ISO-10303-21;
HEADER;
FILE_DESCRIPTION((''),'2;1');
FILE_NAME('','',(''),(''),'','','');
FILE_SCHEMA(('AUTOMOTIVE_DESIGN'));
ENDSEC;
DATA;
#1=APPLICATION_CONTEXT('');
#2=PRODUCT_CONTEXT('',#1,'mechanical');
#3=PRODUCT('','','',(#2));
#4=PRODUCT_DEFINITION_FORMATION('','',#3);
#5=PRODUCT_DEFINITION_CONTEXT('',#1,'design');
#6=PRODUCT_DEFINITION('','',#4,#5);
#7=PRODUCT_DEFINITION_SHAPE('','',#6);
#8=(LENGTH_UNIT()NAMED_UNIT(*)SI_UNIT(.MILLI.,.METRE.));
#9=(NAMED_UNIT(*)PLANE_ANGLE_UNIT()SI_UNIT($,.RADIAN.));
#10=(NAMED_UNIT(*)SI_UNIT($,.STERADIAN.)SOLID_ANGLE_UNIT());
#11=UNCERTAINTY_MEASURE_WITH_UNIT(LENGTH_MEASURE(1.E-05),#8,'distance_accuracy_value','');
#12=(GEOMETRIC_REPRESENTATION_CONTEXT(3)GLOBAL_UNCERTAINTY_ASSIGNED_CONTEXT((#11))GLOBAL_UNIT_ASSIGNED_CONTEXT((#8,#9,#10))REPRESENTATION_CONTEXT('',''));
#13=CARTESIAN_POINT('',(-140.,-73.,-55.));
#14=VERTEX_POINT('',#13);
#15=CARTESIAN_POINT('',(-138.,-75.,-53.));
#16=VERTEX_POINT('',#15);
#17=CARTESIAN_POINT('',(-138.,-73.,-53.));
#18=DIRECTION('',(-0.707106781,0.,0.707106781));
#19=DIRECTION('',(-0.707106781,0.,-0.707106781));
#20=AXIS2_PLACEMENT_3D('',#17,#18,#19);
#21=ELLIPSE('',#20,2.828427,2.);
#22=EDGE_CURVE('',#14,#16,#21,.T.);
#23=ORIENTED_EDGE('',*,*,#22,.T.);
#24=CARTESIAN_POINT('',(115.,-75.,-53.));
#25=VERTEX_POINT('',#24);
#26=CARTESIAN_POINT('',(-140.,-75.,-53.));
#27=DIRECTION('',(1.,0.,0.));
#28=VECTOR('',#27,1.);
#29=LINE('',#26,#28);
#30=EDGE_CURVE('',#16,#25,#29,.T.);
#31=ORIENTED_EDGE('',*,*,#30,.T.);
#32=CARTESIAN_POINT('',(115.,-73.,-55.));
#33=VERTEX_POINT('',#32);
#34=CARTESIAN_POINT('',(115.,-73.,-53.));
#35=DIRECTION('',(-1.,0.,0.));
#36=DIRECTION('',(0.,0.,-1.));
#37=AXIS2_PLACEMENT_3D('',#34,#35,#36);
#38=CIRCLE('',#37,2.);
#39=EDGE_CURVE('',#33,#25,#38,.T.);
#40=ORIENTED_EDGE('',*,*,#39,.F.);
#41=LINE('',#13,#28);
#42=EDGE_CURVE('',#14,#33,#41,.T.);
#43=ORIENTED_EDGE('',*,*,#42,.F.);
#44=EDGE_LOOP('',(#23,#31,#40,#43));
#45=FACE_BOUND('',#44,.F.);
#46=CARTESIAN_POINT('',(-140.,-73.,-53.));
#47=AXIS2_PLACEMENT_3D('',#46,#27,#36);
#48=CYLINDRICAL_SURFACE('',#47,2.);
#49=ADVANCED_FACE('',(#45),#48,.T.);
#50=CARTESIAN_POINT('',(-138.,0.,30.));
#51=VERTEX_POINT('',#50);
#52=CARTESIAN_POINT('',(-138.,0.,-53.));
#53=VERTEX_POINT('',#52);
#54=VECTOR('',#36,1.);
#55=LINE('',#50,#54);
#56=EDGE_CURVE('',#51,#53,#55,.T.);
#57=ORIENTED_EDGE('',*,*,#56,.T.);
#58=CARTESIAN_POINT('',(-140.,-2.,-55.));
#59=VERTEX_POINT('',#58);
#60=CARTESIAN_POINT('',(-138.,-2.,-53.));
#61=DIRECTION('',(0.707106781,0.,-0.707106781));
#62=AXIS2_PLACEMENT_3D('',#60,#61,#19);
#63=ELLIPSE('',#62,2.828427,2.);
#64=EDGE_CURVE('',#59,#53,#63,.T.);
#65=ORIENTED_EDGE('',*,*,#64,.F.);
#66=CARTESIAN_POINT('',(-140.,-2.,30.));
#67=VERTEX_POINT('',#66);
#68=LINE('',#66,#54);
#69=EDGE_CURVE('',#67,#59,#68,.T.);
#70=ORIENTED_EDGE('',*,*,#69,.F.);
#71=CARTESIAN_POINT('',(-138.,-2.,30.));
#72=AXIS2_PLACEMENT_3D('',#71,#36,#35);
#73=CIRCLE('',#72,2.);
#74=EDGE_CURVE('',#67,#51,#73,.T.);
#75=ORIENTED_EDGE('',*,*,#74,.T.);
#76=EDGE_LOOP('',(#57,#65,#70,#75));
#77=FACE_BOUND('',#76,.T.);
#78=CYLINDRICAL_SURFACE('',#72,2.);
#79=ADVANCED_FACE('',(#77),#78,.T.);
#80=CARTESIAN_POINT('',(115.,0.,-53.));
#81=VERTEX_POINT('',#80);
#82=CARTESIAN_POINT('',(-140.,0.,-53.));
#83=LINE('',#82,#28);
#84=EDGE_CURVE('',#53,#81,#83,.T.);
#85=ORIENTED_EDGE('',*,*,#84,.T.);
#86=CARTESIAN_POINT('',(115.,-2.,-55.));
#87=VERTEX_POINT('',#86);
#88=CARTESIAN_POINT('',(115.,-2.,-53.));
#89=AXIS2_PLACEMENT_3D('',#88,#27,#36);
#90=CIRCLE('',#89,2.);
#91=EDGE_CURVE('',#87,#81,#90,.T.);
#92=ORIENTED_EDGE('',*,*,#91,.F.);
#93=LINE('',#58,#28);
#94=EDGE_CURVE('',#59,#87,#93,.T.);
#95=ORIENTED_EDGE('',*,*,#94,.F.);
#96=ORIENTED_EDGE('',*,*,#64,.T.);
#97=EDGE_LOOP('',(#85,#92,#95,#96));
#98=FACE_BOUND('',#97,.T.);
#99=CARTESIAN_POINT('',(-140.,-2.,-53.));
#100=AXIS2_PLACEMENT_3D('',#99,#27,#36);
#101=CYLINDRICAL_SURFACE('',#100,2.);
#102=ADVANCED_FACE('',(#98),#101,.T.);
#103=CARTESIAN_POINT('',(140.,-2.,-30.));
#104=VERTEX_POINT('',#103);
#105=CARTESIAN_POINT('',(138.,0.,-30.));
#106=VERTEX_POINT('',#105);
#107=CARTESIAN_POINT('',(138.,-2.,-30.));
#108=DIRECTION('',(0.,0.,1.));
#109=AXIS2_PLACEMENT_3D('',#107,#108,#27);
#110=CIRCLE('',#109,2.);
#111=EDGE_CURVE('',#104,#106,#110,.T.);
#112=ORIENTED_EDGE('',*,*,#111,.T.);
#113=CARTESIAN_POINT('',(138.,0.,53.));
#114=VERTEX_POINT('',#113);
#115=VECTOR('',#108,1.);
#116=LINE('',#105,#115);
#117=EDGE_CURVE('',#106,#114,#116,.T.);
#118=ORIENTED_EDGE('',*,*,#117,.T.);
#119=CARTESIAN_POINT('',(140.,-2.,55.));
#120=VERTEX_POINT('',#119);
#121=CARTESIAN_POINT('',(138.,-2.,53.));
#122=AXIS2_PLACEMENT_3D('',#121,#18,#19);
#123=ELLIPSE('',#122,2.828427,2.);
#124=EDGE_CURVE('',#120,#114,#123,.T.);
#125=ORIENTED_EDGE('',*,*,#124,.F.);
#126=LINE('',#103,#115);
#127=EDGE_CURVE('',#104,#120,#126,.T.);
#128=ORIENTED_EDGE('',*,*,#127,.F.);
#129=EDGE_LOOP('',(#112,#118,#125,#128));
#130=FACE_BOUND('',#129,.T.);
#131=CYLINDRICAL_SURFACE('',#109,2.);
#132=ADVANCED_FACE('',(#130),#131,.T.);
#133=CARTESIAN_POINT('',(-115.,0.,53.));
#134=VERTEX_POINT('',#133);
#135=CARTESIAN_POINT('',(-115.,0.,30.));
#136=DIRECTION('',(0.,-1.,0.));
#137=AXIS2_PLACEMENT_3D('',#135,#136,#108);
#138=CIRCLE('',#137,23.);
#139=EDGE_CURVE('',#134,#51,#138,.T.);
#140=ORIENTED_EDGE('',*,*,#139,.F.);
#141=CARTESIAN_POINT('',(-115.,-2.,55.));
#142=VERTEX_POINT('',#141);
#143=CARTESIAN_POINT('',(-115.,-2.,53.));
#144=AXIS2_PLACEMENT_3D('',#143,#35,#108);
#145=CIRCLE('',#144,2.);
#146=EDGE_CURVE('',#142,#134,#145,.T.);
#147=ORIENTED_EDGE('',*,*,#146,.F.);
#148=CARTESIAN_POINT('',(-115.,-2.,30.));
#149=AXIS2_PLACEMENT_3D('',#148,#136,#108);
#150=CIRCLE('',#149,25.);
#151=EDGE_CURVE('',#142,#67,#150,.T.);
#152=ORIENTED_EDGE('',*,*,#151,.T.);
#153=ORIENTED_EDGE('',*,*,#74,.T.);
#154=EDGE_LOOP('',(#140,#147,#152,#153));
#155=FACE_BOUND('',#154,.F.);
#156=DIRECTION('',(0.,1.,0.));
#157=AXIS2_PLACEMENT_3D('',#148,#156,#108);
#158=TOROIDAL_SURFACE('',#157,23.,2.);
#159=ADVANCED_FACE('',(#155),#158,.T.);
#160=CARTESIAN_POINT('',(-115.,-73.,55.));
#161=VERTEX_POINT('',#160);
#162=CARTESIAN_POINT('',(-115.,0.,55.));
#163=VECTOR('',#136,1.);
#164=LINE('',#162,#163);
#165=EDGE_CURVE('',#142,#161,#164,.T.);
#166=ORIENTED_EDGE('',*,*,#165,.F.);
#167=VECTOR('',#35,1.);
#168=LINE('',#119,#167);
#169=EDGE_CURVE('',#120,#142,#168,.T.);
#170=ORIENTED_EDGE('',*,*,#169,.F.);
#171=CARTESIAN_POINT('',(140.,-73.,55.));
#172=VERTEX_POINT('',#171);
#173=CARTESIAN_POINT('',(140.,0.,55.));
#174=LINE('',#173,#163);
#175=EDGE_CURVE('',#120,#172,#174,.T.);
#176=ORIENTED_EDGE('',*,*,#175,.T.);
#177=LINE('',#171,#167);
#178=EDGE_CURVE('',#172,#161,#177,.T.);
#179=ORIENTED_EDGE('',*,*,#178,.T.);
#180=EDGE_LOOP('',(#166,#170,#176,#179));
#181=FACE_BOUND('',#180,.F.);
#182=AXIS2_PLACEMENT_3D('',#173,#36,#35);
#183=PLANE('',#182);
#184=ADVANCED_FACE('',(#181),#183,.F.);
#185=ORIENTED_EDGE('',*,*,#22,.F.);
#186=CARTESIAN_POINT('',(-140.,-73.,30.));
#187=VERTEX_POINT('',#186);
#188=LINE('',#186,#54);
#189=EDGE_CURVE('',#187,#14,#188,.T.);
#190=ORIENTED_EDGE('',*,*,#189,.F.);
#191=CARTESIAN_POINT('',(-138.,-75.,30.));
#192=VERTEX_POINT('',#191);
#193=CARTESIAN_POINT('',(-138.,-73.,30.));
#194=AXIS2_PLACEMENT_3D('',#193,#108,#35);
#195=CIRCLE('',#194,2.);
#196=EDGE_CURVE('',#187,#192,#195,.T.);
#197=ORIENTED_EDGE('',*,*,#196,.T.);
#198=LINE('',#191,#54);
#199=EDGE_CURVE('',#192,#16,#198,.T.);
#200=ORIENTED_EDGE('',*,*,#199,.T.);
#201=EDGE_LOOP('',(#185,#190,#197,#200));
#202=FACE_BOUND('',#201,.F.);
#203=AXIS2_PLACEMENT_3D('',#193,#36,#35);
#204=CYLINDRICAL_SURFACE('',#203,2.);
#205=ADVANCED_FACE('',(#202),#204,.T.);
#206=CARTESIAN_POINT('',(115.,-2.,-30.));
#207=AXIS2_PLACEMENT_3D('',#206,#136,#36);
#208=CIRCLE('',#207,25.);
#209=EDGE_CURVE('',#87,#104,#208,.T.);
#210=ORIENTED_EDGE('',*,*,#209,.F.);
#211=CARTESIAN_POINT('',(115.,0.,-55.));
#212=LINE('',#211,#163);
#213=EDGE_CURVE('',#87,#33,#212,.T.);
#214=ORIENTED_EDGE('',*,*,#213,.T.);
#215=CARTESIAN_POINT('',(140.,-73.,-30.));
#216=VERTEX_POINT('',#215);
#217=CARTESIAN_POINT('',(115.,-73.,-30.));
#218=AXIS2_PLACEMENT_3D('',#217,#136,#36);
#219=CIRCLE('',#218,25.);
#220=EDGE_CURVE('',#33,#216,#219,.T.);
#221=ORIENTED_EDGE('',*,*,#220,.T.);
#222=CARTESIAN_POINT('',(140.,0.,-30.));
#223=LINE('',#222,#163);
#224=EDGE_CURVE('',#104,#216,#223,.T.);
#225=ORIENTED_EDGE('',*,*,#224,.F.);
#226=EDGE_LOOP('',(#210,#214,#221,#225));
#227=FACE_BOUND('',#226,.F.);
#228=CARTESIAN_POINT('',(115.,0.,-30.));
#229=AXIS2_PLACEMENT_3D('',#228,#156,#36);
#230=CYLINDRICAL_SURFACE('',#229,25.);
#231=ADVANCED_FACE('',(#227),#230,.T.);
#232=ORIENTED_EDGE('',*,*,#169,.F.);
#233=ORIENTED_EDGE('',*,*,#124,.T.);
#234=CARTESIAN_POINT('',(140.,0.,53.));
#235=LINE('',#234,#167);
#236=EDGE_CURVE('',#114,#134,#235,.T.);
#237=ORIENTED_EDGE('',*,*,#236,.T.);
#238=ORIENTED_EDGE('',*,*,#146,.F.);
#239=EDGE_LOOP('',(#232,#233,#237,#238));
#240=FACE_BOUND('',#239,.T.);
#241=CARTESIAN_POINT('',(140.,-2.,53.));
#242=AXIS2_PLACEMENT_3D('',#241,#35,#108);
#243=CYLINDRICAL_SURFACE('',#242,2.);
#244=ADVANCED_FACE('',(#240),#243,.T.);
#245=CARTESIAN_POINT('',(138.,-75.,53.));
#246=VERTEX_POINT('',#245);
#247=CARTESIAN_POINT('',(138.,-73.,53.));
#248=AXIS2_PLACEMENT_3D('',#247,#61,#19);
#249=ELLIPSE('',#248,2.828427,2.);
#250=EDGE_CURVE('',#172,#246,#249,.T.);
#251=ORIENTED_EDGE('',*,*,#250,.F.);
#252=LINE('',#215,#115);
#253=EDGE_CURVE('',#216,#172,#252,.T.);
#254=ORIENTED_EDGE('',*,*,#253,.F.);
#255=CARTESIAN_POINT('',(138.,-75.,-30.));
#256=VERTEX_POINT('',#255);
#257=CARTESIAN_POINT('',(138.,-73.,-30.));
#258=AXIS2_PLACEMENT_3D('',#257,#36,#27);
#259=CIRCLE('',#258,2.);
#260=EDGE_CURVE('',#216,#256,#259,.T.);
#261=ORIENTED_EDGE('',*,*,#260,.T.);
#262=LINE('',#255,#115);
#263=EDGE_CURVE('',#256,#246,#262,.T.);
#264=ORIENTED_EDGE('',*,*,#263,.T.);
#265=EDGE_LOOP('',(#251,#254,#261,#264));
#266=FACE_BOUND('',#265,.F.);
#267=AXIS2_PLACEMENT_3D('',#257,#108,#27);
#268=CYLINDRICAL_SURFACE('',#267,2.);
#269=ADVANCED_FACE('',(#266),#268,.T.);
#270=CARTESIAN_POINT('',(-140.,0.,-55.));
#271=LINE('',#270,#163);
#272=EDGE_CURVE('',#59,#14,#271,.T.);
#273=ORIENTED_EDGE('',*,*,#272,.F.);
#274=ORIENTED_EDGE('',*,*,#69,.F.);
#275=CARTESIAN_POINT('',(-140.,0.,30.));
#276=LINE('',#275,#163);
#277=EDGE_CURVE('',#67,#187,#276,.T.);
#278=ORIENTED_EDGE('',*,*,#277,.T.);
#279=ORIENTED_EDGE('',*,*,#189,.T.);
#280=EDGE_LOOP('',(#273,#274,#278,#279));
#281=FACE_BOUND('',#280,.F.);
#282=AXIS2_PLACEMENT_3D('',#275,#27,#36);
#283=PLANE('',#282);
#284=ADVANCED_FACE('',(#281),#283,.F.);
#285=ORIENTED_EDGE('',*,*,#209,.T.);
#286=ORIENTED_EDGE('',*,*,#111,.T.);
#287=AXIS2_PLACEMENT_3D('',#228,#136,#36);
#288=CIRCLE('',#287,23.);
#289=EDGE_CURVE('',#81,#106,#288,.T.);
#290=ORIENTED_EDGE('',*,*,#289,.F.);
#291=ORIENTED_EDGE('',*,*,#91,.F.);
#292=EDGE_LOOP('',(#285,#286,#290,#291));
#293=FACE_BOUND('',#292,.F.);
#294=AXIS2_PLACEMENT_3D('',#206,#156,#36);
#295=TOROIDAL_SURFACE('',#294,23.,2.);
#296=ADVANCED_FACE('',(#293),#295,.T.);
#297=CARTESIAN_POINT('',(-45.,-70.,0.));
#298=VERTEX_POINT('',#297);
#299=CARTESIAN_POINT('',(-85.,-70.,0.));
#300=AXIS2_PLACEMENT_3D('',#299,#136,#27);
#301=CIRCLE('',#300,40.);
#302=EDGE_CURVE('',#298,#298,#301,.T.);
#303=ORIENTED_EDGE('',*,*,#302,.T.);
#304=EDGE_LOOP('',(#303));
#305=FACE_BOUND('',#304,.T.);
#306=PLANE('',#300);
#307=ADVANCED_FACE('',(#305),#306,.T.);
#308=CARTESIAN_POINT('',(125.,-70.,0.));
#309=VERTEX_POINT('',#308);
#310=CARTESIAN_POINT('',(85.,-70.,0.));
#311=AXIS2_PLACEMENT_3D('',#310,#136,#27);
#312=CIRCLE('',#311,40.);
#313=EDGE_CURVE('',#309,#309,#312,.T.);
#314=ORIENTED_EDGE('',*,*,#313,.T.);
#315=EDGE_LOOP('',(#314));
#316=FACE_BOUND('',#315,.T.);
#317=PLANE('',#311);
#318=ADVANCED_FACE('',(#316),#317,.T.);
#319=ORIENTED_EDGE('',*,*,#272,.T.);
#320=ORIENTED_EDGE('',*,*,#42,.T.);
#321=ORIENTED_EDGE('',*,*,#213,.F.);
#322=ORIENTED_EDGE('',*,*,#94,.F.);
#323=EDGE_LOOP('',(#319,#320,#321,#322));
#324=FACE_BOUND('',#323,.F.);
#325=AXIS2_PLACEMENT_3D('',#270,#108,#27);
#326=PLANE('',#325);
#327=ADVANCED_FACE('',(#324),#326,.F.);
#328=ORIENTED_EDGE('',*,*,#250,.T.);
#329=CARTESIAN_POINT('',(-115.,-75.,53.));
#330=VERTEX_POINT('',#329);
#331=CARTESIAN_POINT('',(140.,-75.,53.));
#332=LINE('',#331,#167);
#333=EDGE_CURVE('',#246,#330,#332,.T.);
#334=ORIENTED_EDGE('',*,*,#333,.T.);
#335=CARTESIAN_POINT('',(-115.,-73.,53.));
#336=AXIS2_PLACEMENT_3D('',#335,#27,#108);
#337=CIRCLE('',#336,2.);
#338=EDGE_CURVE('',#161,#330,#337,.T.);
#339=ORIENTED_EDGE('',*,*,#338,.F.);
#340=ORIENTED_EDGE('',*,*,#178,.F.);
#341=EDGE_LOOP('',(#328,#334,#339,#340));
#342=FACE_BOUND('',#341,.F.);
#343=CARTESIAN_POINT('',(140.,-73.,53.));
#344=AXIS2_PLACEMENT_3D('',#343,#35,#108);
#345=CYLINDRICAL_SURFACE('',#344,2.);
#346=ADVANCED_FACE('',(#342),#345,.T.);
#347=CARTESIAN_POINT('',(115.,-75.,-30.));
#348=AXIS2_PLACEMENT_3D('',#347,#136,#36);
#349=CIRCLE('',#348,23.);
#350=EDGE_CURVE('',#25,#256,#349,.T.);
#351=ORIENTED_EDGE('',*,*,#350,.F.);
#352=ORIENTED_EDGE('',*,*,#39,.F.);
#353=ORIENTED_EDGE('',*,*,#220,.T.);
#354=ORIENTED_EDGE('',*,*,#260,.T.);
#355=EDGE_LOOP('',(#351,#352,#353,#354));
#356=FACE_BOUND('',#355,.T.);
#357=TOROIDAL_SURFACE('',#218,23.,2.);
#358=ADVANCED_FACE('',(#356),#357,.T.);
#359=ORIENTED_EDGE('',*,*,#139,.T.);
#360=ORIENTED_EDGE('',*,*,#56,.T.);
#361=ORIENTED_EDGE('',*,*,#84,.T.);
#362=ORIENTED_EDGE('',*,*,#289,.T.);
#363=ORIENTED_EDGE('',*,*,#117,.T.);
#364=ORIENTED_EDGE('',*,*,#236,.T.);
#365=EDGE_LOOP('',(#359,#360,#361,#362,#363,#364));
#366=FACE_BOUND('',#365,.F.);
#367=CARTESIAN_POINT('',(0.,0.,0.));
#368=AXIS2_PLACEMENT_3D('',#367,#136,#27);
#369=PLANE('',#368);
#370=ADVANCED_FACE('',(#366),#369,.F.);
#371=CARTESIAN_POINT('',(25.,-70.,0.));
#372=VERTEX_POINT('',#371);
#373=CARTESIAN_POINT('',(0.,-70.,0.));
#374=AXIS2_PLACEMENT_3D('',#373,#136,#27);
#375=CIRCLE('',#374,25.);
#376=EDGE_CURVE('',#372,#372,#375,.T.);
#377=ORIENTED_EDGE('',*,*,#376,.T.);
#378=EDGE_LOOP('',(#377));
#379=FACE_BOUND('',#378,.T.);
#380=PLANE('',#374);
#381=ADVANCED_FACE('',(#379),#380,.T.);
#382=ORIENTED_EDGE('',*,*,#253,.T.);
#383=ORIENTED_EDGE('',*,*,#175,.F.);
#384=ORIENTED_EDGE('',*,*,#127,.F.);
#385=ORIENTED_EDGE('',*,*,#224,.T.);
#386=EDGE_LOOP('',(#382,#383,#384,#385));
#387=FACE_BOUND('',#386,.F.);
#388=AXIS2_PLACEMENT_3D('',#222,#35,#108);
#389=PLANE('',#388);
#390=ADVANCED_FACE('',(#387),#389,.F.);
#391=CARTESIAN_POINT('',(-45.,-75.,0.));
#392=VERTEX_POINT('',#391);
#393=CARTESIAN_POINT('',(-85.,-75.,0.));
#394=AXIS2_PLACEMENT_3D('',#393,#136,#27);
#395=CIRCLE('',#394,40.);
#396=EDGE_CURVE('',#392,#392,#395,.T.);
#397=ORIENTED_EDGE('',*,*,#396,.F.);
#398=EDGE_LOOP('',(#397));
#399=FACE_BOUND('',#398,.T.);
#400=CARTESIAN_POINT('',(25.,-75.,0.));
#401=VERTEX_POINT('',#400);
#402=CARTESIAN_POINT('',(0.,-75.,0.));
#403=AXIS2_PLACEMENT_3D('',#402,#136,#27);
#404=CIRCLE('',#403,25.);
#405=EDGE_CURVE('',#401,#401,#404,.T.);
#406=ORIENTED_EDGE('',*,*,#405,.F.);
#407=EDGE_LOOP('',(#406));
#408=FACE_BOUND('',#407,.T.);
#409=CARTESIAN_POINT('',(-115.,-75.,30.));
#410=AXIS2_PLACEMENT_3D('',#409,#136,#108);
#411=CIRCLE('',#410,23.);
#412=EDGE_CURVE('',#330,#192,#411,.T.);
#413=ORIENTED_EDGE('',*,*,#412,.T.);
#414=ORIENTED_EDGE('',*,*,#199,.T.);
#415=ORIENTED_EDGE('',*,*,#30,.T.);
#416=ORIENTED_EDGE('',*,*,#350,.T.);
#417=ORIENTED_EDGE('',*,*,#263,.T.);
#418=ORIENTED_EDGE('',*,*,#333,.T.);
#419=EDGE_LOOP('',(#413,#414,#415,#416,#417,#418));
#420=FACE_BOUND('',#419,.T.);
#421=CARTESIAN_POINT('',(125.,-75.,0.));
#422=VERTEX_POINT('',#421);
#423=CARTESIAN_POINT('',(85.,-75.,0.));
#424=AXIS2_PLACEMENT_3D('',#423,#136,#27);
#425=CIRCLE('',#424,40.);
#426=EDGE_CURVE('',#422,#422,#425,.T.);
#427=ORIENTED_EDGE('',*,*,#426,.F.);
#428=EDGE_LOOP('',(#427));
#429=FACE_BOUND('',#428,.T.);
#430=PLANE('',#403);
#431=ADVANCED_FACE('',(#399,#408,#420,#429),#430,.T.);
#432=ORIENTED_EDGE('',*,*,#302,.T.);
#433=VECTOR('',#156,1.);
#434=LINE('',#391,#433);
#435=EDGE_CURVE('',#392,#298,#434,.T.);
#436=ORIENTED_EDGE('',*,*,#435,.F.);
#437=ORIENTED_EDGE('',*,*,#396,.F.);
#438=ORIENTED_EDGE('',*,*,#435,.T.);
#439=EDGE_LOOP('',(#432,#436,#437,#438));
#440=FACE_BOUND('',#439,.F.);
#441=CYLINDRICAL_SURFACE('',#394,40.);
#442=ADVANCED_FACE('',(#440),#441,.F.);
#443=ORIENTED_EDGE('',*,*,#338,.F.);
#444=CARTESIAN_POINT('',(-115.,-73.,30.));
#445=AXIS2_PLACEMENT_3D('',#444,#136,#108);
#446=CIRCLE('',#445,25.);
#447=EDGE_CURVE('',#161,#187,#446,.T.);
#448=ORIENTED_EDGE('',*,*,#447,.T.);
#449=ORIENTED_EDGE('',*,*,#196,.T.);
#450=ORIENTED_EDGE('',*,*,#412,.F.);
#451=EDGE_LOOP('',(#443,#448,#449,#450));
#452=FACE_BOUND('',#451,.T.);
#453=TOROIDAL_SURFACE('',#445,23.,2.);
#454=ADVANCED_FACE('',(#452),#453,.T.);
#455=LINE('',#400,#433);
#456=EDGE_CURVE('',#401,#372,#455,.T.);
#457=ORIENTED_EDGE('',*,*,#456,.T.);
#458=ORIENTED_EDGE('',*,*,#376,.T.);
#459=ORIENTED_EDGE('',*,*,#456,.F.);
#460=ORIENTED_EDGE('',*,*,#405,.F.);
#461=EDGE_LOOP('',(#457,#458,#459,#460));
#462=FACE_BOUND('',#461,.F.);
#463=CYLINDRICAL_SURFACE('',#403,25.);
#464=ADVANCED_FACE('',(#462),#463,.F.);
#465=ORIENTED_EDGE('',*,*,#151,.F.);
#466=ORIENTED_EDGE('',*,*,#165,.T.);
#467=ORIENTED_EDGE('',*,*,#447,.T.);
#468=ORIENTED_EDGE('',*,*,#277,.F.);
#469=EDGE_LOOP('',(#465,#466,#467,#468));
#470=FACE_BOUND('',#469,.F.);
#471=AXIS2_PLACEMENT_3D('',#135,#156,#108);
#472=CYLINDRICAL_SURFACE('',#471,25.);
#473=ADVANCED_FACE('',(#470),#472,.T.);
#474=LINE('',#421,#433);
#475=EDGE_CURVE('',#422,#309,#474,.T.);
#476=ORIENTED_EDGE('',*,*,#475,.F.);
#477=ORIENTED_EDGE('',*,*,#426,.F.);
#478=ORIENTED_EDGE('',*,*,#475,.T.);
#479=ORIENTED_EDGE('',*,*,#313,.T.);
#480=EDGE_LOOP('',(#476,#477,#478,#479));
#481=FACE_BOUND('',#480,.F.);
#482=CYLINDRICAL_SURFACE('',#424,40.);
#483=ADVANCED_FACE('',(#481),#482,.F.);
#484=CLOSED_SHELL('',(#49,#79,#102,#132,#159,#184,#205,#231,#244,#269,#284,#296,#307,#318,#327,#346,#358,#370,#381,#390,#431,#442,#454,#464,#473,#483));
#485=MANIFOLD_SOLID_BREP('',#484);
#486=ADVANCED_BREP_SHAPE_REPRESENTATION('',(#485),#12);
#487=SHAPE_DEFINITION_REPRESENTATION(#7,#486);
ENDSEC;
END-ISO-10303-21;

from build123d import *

# Parameters (mm, degrees)
F1_DEPTH = 75
F2_R     = 2
F3_R     = 25
F3_R_2   = 40
F4_DEPTH = 5


with BuildPart() as f1:
    # F0 (on Front) → F1 (new body)
    with BuildSketch(Plane.XZ):
        with BuildLine():
            Line((-140, 30), (-140, -55))
            Line((-140, -55), (115, -55))
            ThreePointArc((115, -55), (132.6776695297, -47.6776695297), (140, -30))
            Line((140, -30), (140, 55))
            Line((140, 55), (-115, 55))
            ThreePointArc((-115, 55), (-132.6776695297, 47.6776695297), (-140, 30))
        make_face()
    extrude(amount=F1_DEPTH)

    # F2
    f2_edges = [f1.edges().sort_by_distance(p)[0] for p in [
        (-132.67767, -75, 47.67767),
        (-140, -75, -12.5),
        (-12.5, -75, -55),
        (132.67767, -75, -47.67767),
        (140, -75, 12.5),
        (12.5, -75, 55),
        (-132.67767, 0, 47.67767),
        (-140, 0, -12.5),
        (-12.5, 0, -55),
        (132.67767, 0, -47.67767),
        (140, 0, 12.5),
        (12.5, 0, 55),
    ]]
    fillet(f2_edges, radius=F2_R)

    # F3 (on face) → F4 (cut)
    with BuildSketch(Plane.XZ.offset(75)):
        Circle(F3_R)
        with Locations((-85, 0)):
            Circle(F3_R_2)
        with Locations((85, 0)):
            Circle(F3_R_2)
    extrude(amount=-F4_DEPTH, mode=Mode.SUBTRACT)


solid = f1.part
